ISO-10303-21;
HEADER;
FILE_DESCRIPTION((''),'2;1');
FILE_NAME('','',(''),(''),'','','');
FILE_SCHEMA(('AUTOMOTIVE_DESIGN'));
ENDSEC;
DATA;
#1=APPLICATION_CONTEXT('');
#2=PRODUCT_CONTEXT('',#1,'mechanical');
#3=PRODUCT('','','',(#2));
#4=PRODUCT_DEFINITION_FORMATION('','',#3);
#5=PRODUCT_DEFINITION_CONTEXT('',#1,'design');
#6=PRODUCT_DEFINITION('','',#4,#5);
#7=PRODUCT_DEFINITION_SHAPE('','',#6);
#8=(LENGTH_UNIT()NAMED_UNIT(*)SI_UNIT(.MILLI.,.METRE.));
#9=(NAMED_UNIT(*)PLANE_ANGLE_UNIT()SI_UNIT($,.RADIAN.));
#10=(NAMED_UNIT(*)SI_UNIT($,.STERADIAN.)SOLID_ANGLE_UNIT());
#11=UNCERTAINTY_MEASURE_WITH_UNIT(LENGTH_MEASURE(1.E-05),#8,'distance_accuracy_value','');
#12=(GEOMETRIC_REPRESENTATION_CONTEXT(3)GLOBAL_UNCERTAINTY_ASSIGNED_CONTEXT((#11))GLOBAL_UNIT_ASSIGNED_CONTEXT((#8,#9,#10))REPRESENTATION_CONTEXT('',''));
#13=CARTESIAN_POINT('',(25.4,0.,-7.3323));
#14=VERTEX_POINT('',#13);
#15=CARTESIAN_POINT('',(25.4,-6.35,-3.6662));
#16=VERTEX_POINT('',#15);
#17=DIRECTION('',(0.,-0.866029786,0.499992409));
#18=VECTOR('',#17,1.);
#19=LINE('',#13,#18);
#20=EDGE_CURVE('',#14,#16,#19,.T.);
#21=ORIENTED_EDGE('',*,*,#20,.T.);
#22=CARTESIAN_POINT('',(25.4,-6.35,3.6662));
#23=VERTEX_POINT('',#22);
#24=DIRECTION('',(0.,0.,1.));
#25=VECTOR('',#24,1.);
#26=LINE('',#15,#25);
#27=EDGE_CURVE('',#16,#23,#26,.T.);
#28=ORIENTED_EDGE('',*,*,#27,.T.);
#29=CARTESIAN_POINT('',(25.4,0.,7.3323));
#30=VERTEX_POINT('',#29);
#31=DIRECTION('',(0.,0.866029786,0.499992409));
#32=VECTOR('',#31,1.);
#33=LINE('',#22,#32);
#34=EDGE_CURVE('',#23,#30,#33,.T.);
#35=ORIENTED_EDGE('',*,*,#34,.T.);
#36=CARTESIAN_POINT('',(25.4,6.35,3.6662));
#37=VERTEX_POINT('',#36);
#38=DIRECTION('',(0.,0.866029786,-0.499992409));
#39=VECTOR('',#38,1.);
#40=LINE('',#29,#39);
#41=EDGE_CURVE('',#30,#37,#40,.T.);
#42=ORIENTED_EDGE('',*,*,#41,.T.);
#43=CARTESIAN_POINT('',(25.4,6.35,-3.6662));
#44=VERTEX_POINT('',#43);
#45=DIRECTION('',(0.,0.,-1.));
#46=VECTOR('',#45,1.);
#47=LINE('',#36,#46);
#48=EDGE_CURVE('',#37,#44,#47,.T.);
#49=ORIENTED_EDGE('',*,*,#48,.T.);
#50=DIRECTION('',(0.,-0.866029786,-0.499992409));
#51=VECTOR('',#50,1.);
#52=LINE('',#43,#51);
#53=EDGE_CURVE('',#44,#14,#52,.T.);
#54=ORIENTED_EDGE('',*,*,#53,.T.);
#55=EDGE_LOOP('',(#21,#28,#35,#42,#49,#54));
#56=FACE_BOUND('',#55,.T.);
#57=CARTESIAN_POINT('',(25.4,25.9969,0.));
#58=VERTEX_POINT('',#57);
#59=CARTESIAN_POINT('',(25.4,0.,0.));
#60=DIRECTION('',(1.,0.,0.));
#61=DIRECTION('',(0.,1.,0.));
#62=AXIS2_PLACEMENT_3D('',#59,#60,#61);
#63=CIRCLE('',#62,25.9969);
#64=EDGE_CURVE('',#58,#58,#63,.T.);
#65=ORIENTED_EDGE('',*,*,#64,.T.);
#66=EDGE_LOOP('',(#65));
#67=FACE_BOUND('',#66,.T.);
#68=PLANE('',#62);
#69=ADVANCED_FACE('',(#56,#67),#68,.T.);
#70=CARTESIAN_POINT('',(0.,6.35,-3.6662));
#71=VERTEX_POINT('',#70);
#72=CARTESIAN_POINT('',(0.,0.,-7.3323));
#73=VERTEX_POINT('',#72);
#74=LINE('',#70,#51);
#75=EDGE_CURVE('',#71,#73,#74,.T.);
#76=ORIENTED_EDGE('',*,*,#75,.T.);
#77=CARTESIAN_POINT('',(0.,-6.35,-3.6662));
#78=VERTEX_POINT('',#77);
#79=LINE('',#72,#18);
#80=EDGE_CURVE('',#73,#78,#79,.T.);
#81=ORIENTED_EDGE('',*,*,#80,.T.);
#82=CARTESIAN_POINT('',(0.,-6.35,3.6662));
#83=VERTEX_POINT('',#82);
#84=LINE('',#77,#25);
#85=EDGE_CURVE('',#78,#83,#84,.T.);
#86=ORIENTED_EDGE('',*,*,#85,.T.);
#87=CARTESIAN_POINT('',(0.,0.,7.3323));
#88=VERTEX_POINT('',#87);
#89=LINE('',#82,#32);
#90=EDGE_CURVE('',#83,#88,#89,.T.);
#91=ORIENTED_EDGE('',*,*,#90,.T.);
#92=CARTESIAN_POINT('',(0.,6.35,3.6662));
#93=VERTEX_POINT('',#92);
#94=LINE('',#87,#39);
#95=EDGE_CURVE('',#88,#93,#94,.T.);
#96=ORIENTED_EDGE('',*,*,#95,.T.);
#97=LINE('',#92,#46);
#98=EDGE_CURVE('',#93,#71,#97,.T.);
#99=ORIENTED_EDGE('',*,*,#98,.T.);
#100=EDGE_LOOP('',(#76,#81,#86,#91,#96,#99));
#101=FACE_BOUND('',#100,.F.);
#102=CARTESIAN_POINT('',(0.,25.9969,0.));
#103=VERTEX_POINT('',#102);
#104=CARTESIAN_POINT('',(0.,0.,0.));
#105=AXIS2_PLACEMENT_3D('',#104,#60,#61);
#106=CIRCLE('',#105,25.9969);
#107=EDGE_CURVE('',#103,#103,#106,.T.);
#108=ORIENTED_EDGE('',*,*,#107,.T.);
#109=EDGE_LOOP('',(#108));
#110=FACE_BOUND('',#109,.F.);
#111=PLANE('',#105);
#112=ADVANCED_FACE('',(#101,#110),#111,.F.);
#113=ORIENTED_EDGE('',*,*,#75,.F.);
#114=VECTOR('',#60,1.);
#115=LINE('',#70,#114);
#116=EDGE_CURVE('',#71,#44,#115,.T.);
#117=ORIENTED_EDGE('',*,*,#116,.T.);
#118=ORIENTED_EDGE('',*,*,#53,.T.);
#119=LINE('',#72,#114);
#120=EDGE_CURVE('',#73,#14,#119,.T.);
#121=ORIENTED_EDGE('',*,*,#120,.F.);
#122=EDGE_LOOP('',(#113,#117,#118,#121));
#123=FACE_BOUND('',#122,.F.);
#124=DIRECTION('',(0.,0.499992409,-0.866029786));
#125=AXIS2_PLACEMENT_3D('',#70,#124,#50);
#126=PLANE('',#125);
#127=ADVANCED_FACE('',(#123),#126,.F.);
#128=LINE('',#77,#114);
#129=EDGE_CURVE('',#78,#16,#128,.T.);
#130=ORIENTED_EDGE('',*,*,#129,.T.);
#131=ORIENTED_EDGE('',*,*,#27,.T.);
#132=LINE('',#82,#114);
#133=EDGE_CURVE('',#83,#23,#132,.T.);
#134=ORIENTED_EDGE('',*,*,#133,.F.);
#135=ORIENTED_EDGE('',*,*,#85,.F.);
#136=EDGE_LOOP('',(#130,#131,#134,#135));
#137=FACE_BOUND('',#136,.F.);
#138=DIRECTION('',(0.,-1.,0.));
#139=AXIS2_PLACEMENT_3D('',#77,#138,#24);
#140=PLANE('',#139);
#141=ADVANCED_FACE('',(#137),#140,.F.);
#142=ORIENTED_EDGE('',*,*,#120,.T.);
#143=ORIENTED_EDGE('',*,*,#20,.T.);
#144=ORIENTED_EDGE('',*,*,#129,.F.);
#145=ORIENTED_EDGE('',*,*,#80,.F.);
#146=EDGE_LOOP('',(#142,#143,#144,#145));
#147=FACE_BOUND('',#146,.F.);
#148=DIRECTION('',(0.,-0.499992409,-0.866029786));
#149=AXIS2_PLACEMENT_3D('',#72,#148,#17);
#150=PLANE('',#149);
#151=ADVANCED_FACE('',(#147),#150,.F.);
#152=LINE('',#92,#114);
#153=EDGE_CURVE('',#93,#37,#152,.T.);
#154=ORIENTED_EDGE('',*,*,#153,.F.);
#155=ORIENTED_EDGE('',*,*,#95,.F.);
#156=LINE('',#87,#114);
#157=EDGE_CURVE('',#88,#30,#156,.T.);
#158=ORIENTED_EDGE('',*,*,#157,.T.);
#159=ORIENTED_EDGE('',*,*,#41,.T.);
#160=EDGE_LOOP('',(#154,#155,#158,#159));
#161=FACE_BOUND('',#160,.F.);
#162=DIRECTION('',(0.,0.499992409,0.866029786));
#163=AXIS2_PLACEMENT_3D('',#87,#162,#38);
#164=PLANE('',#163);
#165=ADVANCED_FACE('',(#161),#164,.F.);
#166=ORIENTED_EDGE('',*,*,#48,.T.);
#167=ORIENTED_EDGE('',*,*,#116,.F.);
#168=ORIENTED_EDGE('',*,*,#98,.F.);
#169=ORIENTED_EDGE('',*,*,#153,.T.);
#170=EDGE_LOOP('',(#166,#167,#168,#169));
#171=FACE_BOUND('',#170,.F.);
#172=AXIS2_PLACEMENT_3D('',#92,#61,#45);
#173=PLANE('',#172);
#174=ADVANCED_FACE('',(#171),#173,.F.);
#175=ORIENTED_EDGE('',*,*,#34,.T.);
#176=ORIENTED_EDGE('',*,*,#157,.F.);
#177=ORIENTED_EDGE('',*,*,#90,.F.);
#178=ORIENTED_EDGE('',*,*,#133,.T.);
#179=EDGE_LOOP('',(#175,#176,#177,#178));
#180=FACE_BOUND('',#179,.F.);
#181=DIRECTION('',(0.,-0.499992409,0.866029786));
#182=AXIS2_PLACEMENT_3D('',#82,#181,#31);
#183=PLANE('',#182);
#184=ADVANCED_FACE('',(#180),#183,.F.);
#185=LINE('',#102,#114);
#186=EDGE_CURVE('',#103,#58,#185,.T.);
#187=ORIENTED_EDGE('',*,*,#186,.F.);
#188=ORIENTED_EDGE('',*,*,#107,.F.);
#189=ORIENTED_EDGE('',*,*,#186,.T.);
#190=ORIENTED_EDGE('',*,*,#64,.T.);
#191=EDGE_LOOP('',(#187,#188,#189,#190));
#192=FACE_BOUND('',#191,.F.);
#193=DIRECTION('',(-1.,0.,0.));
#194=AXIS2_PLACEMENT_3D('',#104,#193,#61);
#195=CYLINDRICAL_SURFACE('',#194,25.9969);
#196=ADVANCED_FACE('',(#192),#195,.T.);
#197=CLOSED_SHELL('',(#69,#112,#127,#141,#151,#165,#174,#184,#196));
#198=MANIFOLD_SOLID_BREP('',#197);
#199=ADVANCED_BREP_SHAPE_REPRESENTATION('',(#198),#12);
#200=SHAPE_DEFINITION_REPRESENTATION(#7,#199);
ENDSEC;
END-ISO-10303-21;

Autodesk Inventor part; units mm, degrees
ref_plane "YZ Plane" through (0, 0, 0) normal (1, 0, 0) x (0, 1, 0)
ref_plane "XZ Plane" through (0, 0, 0) normal (0, 1, 0) x (-1, 0, 0)
ref_plane "XY Plane" through (0, 0, 0) normal (0, 0, 1) x (1, 0, 0)
sketch "Sketch1" plane through (0, 0, 0) normal (1, 0, 0) x (0, 1, 0)
  circle A0 centre (0, 0) radius 25.9969
  line L0 (6.35, 3.6662) -> (6.35, -3.6662)
  line L1 (6.35, -3.6662) -> (0, -7.3323)
  line L2 (0, -7.3323) -> (-6.35, -3.6662)
  line L3 (-6.35, -3.6662) -> (-6.35, 3.6662)
  line L4 (-6.35, 3.6662) -> (0, 7.3323)
  line L5 (0, 7.3323) -> (6.35, 3.6662)
  dimension "d0" = 51.9938
  dimension "d1" = 12.7
  dimension "d2" = 12.7
  dimension "d3" = 12.7
  dimension "d4" = 120
  dimension "d5" = 120
  dimension "d6" = 6.35
  dimension "d7" = 6.35
  dimension "d8" = 6.35
extrude "Extrusion1" add sketch "Sketch1" along normal blind 25.4
properties part number "roller hub"
